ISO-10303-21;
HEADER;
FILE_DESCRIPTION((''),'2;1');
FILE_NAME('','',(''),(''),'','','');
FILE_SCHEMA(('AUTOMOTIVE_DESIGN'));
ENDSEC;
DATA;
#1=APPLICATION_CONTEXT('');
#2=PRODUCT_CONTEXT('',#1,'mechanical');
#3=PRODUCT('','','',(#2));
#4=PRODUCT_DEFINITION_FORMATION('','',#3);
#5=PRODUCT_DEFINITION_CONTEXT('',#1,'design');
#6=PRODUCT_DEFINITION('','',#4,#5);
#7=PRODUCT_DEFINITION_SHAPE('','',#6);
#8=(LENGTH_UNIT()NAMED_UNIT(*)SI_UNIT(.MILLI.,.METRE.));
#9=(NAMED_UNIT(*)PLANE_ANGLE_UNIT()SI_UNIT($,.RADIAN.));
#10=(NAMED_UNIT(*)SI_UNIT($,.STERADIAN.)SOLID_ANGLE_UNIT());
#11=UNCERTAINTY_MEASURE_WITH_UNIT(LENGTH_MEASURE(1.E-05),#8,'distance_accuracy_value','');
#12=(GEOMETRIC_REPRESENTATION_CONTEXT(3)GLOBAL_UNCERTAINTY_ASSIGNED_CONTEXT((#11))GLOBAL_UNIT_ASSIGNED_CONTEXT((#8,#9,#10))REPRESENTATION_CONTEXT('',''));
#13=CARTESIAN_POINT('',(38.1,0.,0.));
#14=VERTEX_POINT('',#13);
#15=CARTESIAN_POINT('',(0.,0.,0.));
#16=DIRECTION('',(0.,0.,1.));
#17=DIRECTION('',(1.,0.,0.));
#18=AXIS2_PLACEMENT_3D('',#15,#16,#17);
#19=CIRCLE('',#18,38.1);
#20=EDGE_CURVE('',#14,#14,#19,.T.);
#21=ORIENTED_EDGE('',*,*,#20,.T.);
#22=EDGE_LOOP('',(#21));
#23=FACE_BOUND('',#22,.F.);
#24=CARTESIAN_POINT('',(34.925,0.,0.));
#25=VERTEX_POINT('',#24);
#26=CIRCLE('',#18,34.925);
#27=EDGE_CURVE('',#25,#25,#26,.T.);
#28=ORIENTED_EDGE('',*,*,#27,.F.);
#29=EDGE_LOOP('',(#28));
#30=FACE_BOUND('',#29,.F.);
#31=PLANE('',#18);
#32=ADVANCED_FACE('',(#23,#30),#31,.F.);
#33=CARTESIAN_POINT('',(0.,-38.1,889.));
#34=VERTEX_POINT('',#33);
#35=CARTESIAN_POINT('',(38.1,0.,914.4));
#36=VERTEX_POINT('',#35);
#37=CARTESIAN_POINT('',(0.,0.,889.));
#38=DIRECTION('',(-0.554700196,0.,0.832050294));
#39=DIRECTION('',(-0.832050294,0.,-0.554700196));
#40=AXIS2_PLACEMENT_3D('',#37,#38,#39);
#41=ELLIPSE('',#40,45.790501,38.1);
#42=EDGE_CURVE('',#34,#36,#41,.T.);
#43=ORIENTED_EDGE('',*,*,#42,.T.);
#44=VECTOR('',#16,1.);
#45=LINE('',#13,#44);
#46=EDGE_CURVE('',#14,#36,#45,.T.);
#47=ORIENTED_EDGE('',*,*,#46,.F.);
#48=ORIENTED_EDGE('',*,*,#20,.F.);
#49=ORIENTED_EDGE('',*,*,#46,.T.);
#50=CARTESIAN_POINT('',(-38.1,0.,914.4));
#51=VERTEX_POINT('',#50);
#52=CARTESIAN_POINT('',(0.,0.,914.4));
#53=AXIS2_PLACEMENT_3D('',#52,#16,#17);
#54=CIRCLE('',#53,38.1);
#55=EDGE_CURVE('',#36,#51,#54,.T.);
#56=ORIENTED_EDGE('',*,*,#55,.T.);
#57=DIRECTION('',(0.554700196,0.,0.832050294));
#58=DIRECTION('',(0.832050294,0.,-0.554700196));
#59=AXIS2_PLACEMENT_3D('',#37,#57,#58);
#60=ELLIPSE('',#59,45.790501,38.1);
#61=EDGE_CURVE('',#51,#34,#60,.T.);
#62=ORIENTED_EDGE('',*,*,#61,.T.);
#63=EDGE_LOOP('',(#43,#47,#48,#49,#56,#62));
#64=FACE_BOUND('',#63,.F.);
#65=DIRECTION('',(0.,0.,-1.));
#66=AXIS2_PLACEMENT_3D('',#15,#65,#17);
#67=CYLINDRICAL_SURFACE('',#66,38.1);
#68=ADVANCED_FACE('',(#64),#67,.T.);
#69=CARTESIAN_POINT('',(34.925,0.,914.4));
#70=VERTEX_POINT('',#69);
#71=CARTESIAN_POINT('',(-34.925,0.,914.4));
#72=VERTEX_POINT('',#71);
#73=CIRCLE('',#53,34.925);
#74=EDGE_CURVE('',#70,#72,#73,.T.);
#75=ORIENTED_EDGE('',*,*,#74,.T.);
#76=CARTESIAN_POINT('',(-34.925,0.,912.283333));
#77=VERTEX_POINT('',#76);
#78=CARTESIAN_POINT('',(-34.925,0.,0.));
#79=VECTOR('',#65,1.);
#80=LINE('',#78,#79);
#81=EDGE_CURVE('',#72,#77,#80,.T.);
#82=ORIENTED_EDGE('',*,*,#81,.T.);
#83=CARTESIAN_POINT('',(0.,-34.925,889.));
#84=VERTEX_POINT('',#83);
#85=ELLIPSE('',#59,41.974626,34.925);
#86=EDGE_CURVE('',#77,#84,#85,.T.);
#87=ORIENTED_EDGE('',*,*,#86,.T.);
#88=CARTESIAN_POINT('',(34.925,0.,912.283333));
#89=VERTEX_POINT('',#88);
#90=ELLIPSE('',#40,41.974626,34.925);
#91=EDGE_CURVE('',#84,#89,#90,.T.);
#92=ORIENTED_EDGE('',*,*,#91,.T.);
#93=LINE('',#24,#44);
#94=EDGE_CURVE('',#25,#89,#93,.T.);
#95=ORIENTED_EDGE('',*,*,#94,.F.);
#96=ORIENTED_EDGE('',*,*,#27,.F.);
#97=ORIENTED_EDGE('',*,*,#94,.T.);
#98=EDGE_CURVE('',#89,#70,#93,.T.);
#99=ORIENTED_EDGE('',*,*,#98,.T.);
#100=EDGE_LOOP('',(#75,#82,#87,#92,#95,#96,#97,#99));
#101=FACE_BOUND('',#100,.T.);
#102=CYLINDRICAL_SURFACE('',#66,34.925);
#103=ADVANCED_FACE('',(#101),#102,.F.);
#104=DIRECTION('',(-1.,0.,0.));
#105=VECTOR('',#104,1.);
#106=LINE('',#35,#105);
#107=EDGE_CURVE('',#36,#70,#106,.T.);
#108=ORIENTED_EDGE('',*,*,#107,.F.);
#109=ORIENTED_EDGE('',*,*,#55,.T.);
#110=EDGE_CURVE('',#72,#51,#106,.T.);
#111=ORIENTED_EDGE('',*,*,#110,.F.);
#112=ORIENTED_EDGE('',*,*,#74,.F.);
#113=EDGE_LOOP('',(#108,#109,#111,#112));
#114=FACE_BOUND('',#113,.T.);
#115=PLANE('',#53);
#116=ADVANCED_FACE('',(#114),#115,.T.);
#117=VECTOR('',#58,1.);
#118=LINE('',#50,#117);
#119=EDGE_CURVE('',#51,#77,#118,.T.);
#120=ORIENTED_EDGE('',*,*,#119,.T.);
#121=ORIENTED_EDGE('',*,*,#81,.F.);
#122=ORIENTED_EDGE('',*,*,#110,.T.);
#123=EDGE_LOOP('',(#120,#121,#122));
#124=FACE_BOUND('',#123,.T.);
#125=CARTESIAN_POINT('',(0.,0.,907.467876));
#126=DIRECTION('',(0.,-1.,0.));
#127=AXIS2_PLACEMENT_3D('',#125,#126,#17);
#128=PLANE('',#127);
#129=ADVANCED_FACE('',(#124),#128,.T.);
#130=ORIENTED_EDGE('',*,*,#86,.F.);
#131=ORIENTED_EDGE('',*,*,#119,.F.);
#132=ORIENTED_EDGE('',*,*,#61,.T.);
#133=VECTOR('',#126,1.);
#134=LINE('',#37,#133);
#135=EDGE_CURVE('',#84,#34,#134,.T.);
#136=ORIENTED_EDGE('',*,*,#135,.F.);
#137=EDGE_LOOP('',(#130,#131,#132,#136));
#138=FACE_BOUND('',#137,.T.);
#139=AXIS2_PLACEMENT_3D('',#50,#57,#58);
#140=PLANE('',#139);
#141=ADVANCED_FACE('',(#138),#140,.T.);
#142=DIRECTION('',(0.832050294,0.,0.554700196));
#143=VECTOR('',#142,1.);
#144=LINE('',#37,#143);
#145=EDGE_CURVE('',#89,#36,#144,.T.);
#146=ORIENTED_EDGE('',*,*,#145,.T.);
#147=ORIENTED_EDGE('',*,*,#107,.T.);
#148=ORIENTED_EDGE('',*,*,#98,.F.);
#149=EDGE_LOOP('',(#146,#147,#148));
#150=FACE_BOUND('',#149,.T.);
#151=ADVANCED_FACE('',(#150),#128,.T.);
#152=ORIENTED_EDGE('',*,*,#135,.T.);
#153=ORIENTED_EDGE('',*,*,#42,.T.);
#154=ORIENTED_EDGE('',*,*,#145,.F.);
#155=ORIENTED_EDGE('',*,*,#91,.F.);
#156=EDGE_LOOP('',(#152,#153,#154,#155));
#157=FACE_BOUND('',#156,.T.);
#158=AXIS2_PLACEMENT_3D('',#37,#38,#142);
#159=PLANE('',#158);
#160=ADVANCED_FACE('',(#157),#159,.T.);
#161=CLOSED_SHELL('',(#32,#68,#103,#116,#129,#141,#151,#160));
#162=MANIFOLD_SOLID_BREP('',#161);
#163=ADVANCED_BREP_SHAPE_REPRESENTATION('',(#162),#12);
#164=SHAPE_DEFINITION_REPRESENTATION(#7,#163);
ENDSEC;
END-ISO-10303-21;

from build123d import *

# Parameters (mm, degrees)
F0_R     = 38.1
F0_R_2   = 34.925
F1_DEPTH = 914.4
F3_DEPTH = 38.101


with BuildPart() as f1:
    # F0 (on Top) → F1 (new body)
    with BuildSketch(Plane.XY):
        Circle(F0_R)
        Circle(F0_R_2, mode=Mode.SUBTRACT)
    extrude(amount=F1_DEPTH)

    # F2 (on Front) → F3 (cut, through all)
    with BuildSketch(Plane.XZ):
        Polygon((38.1, 914.4), (-38.1, 914.4), (0, 889), align=None)
    extrude(amount=F3_DEPTH, mode=Mode.SUBTRACT)


solid = f1.part
